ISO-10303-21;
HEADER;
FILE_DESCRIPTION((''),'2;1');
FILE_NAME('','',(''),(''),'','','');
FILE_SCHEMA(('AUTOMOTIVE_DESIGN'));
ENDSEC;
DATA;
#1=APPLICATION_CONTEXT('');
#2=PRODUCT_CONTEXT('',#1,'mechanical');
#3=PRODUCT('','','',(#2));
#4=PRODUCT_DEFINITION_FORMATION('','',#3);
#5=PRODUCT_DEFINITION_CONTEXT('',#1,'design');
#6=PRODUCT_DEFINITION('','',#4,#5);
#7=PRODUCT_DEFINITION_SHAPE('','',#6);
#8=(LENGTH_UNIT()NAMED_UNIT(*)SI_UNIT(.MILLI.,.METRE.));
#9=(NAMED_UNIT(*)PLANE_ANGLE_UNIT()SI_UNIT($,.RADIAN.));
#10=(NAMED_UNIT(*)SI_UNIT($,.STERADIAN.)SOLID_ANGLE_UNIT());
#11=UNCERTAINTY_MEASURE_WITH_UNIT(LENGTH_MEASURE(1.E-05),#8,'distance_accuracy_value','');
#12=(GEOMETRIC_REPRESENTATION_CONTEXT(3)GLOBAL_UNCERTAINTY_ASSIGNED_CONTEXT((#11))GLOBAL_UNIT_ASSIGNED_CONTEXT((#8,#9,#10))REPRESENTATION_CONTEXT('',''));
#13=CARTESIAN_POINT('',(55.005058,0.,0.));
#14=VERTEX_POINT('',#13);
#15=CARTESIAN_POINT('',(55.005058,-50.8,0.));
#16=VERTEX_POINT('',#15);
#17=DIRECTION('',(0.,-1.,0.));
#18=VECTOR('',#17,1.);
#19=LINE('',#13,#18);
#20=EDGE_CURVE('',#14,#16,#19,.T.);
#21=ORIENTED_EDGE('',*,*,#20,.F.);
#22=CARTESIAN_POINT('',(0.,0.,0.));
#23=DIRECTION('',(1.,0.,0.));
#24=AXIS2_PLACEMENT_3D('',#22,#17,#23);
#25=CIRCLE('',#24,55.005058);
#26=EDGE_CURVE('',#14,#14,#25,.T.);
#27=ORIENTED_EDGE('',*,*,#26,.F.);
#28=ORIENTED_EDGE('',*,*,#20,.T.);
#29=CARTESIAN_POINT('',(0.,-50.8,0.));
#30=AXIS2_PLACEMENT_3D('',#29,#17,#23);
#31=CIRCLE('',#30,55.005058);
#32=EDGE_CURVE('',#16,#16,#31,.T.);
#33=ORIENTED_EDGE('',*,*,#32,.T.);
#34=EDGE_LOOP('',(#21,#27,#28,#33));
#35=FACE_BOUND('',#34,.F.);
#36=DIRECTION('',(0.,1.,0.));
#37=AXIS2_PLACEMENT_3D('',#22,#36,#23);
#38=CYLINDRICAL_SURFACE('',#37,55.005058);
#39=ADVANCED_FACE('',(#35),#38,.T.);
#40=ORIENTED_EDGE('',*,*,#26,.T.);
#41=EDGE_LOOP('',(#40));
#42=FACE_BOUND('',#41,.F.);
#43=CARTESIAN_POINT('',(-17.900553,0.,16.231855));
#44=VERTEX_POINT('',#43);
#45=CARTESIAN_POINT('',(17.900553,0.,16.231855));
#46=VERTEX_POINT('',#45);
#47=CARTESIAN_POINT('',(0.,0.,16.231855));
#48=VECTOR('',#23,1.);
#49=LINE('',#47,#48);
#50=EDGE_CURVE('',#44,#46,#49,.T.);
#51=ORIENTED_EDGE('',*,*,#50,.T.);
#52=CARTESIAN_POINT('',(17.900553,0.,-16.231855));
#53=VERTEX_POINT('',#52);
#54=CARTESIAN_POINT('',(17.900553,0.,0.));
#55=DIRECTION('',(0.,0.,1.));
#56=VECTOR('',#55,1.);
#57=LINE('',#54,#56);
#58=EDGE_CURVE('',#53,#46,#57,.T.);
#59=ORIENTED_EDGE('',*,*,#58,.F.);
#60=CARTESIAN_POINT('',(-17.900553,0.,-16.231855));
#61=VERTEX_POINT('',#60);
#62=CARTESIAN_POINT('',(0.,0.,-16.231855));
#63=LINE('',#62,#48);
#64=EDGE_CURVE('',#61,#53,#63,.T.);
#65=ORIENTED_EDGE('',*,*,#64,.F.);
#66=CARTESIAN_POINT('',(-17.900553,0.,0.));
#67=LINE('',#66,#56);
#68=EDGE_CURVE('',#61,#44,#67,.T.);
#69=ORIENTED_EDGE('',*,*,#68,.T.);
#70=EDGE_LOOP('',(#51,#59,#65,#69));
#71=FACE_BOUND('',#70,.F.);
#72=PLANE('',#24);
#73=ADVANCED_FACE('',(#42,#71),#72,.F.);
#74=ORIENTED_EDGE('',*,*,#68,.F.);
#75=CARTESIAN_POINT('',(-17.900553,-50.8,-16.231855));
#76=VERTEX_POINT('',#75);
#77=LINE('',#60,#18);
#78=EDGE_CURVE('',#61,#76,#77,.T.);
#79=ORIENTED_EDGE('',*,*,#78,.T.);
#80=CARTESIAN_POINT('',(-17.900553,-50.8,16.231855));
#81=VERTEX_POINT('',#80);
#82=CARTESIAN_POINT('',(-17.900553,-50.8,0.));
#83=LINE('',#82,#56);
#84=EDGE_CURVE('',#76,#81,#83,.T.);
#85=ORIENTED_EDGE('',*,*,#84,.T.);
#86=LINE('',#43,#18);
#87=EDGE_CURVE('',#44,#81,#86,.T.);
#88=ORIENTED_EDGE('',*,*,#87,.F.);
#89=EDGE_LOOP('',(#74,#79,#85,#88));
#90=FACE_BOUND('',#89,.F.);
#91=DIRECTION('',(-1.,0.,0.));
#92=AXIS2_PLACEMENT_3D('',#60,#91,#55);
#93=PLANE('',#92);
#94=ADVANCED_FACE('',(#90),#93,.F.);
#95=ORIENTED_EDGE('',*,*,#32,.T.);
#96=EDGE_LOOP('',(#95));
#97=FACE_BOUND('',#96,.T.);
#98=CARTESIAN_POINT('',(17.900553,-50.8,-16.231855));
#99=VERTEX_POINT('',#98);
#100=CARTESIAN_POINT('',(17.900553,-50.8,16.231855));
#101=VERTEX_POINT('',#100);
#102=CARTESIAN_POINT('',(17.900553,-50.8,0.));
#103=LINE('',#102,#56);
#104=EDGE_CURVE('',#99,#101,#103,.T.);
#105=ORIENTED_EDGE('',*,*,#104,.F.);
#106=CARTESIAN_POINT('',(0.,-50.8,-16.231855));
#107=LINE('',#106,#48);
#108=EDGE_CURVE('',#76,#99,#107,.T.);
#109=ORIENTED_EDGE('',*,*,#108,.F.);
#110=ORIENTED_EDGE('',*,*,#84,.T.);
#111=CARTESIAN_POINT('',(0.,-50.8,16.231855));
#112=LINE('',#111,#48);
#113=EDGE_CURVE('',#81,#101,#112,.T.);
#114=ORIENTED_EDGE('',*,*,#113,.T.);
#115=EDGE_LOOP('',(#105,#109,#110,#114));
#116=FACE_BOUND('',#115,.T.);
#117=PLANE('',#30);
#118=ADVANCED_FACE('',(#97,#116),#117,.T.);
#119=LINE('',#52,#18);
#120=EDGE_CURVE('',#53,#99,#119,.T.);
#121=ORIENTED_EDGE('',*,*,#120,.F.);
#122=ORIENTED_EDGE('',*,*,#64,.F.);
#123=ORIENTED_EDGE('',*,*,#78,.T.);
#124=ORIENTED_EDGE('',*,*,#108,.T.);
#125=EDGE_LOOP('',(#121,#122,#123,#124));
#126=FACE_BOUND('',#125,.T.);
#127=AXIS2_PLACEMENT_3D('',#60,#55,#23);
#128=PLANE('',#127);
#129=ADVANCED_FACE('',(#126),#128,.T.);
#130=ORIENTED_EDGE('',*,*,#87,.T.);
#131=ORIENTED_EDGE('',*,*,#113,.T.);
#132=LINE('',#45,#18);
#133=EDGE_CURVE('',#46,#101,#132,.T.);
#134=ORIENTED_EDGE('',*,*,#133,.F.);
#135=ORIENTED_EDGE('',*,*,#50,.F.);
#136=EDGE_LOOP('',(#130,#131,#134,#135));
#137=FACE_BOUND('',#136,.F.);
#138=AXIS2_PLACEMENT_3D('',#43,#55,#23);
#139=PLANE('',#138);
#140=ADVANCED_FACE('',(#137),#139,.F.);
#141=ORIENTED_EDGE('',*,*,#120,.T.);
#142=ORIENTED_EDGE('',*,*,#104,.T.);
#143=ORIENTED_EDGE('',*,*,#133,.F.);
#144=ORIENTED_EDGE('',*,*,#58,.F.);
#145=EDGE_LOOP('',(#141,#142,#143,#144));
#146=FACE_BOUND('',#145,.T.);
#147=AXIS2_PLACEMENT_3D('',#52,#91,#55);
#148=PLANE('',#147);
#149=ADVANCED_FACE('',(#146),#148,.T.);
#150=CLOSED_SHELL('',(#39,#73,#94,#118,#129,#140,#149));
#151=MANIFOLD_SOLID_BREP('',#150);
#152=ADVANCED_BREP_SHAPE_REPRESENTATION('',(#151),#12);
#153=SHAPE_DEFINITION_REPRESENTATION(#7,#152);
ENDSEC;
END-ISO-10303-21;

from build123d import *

# Parameters (mm, degrees)
F0_R     = 55.005058
F0_W     = 35.801106
F0_H     = 32.46371
F1_DEPTH = 50.8


with BuildPart() as f1:
    # F0 (on Front) → F1 (new body)
    with BuildSketch(Plane.XZ):
        Circle(F0_R)
        Rectangle(F0_W, F0_H, mode=Mode.SUBTRACT)
    extrude(amount=F1_DEPTH)


solid = f1.part
